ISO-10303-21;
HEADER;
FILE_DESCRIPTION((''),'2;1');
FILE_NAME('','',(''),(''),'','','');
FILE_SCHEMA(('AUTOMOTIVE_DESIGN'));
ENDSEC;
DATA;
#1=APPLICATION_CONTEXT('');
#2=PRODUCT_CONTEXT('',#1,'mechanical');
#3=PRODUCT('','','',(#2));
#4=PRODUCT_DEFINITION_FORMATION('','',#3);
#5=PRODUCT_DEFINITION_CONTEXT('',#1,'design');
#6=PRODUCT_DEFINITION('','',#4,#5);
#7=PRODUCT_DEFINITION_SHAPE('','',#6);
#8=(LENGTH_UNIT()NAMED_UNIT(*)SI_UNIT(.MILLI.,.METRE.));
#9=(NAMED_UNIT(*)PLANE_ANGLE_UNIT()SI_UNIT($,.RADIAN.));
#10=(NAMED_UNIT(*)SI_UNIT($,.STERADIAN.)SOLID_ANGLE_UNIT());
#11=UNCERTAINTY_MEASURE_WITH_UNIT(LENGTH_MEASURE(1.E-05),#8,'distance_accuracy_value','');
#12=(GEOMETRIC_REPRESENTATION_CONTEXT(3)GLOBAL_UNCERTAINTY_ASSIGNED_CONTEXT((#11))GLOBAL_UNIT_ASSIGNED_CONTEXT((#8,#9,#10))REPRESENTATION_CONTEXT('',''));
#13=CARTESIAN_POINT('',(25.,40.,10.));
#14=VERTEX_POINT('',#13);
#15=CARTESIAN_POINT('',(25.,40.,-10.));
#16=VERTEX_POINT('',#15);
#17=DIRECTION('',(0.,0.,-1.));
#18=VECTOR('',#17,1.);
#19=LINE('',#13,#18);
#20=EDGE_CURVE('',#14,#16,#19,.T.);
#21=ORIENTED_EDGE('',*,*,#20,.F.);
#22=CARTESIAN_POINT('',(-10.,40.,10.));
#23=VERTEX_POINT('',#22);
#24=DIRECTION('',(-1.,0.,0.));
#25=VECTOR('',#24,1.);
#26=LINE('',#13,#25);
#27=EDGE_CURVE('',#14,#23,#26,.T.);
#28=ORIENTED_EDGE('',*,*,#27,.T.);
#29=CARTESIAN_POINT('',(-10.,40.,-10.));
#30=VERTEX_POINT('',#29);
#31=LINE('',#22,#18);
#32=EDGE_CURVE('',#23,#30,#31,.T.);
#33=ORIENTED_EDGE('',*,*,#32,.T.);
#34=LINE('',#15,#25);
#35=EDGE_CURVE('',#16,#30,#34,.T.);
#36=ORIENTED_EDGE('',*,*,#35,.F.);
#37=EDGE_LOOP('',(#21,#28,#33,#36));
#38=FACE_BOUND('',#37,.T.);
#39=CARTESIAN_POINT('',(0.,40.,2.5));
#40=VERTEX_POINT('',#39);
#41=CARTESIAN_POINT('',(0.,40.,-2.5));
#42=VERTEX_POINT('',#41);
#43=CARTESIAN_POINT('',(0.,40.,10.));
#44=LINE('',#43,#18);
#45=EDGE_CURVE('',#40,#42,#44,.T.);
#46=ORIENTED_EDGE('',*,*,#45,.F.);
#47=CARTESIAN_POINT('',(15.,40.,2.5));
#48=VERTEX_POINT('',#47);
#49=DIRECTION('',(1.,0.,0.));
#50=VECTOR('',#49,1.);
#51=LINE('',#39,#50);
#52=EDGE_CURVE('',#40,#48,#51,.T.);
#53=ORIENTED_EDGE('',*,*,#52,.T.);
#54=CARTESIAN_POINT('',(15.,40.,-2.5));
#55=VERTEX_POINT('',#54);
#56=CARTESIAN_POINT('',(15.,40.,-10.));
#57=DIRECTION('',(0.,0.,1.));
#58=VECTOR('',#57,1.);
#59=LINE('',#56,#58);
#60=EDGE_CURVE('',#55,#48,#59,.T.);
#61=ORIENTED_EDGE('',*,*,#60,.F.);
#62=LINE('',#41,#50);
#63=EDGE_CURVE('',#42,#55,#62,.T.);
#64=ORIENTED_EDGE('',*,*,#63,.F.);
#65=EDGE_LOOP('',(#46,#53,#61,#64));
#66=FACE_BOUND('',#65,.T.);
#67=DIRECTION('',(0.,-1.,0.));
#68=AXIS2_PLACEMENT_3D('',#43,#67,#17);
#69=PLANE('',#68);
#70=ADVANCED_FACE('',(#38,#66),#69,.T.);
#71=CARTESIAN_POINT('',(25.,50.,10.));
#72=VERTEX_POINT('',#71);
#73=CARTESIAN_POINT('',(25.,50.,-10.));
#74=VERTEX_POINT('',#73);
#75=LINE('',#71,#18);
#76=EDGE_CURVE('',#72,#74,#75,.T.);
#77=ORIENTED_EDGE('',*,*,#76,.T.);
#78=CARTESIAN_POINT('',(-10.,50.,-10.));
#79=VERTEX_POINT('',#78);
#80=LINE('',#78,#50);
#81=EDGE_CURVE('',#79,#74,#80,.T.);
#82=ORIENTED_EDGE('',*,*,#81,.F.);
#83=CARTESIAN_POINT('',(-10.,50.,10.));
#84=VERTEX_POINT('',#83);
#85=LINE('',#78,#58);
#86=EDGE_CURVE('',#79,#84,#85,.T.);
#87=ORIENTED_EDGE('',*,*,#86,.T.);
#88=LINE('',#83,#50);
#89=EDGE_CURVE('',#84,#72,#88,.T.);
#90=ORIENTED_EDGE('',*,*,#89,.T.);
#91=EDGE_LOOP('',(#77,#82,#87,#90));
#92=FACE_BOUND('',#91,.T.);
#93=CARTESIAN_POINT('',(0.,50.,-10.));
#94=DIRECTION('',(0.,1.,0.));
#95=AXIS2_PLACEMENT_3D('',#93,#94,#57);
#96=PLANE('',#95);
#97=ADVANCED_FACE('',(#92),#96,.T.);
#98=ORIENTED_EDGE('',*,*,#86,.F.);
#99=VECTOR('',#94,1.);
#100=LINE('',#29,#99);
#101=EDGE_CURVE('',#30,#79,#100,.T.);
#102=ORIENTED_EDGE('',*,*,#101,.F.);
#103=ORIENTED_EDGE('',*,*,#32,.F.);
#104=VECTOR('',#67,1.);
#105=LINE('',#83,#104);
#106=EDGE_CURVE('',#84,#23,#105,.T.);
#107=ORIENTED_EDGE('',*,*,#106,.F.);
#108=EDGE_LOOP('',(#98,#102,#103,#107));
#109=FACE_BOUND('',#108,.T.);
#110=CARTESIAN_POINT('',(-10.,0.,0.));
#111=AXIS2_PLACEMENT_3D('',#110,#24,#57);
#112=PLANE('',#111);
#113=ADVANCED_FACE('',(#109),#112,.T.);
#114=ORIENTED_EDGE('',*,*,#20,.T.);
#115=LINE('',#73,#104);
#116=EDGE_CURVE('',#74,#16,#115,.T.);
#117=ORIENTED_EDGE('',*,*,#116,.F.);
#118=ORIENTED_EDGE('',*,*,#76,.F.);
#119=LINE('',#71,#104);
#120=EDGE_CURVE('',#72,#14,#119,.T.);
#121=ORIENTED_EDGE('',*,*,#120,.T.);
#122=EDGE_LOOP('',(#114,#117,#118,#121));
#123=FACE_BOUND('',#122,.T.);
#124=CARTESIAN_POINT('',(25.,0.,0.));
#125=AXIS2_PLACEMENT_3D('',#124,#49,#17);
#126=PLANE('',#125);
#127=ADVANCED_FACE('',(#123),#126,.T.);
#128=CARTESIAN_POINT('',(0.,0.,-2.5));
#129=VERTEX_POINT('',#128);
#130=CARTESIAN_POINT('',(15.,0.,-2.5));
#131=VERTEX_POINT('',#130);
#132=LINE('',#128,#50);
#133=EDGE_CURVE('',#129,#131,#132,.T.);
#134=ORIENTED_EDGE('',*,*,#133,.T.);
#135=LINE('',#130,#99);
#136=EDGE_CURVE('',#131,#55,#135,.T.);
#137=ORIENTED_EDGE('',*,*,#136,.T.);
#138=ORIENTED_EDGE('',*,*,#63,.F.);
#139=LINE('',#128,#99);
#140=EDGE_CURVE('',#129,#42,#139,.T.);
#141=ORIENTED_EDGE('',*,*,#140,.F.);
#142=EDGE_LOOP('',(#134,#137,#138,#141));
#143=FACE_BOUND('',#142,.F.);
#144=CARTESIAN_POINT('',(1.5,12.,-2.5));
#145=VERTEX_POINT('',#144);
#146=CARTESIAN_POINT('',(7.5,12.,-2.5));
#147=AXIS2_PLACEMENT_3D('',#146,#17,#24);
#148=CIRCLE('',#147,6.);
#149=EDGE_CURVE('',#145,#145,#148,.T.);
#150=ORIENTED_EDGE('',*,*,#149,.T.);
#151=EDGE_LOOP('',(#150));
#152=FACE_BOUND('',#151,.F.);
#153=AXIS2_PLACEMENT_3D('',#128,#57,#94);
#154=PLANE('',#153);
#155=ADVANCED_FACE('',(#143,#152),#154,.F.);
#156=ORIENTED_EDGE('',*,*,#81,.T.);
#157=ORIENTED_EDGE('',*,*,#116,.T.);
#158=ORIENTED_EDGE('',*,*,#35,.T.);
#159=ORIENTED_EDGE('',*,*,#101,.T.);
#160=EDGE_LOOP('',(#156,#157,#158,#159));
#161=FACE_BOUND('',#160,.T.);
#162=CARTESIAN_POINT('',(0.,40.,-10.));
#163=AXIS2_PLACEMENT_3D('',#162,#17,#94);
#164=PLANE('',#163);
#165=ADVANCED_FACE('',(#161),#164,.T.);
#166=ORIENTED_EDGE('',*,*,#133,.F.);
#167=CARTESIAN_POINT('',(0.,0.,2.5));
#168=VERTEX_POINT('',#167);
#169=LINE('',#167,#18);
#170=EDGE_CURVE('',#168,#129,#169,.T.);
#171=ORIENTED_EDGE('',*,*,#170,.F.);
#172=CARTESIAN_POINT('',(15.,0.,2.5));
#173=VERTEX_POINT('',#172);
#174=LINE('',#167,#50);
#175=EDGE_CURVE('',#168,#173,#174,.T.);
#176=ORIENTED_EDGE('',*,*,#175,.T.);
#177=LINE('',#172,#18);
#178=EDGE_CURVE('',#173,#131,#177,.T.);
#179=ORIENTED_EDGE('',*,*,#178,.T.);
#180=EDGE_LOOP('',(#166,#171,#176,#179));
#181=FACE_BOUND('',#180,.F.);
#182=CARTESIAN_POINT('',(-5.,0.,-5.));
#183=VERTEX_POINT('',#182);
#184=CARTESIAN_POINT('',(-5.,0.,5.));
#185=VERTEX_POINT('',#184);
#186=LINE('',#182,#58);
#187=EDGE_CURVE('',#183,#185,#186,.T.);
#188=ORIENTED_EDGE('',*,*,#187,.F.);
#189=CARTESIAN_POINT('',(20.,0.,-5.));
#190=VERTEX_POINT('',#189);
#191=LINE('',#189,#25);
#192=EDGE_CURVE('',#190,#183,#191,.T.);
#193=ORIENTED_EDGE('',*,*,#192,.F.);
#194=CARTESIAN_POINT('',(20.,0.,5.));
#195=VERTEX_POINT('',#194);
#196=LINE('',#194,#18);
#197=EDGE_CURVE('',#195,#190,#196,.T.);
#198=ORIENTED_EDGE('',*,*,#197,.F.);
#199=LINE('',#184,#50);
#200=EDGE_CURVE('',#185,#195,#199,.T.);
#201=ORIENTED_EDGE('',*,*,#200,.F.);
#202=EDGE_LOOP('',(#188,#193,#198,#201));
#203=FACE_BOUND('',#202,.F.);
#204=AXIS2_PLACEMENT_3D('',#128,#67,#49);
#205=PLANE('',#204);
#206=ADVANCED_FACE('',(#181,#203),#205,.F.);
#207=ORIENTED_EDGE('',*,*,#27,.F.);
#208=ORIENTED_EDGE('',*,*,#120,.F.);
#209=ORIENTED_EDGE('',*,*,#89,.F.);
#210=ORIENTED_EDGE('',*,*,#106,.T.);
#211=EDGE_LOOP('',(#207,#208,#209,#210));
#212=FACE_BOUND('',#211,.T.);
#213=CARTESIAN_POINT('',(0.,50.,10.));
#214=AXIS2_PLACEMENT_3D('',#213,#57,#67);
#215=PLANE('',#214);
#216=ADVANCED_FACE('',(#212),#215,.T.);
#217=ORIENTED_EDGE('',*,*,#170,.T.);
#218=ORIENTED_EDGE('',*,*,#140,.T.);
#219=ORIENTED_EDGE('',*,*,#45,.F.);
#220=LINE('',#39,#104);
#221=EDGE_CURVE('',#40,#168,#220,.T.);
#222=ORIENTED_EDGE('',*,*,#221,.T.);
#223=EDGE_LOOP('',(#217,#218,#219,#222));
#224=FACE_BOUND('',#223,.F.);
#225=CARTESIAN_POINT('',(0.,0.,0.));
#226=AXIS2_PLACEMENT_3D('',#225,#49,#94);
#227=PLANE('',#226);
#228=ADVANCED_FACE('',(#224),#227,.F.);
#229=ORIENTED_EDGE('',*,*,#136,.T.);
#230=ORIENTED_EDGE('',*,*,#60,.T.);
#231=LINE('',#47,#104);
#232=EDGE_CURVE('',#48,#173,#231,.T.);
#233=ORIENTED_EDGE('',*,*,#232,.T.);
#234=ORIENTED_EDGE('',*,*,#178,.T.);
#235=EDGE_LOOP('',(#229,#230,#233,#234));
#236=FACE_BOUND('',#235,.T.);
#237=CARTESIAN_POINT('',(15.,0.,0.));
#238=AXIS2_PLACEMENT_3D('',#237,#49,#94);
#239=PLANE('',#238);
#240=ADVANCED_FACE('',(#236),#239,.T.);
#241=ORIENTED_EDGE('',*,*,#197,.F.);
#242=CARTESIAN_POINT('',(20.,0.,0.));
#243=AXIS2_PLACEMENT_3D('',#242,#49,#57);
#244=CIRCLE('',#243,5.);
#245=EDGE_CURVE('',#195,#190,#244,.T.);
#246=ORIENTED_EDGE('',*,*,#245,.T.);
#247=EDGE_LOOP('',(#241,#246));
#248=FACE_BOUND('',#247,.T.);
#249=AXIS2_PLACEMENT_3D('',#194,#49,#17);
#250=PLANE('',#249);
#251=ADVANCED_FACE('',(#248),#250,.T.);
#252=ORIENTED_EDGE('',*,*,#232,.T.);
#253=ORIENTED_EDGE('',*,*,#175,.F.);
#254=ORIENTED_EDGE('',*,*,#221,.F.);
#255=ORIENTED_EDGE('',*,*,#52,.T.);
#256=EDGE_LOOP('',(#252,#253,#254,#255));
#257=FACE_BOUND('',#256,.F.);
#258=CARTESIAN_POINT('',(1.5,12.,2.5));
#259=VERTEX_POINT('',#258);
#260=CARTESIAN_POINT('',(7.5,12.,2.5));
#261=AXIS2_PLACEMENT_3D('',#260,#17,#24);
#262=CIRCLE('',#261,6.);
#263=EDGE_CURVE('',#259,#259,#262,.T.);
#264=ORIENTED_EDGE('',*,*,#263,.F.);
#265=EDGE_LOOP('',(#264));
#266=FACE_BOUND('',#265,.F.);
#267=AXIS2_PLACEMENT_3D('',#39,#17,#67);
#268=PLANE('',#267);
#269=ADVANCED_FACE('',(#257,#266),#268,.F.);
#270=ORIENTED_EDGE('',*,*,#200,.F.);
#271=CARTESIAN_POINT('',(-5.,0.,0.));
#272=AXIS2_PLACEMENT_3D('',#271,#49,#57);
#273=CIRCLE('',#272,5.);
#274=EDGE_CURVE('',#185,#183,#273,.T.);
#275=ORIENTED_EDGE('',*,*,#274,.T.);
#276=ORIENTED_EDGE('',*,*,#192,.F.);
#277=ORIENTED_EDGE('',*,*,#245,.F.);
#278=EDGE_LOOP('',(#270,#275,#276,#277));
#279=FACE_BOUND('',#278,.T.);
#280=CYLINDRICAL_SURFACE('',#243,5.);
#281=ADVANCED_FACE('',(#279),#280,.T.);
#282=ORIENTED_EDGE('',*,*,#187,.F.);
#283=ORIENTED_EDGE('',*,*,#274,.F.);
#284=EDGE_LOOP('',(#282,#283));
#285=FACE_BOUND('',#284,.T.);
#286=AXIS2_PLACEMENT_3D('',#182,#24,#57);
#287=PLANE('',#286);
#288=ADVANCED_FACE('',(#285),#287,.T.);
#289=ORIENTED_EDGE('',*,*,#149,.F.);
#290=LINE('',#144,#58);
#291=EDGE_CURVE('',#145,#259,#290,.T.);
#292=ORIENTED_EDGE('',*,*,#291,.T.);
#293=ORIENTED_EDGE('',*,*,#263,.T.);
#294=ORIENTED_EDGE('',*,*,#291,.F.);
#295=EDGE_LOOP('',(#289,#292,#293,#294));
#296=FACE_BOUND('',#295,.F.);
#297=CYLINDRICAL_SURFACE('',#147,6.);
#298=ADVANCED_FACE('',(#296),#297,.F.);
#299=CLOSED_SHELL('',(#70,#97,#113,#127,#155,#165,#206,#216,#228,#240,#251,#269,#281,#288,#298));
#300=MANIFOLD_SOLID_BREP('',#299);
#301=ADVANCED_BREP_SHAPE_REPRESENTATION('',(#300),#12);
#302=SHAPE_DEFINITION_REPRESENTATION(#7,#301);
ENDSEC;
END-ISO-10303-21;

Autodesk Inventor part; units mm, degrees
ref_plane "YZ Plane" through (0, 0, 0) normal (1, 0, 0) x (0, 1, 0)
ref_plane "XZ Plane" through (0, 0, 0) normal (0, 1, 0) x (-1, 0, 0)
ref_plane "XY Plane" through (0, 0, 0) normal (0, 0, 1) x (1, 0, 0)
sketch "Sketch1" plane through (0, 0, 0) normal (1, 0, 0) x (0, 1, 0)
  line L0 (50, 10) -> (40, 10)
  line L1 (40, 10) -> (40, -10)
  line L2 (40, -10) -> (50, -10)
  line L3 (50, -10) -> (50, 10)
  line L4 (40, 2.5) -> (0, 2.5)
  line L5 (0, 2.5) -> (0, -2.5)
  line L6 (0, -2.5) -> (40, -2.5)
  line L7 (40, -2.5) -> (40, 2.5)
  point P0 (0, 0)
  dimension "d0" = 40
  dimension "d1" = 10
  dimension "d2" = 5
  dimension "d3" = 2.5
  dimension "d4" = 20
  dimension "d5" = 10
extrude "Extrusion1" add sketch "Sketch1" along normal blind 15
sketch "Sketch2" plane through (15, 0, 0) normal (1, 0, 0) x (0, 0, -1)
  line L0 (-10, 50) -> (-10, 40) projected
  line L1 (2.5, 40) -> (10, 40) projected
  line L2 (-10, 50) -> (10, 50)
  line L3 (10, 50) -> (10, 40)
  line L4 (10, 40) -> (-10, 40)
  line L5 (-10, 40) -> (-10, 50)
  point P0 (0, 0)
extrude "Extrusion2" add sketch "Sketch2" along normal blind 10
sketch "Sketch3" plane through (0, 0, 0) normal (-1, 0, 0) x (0, 0, 1)
  line L0 (-10, 40) -> (-10, 50) projected
  line L1 (10, 50) -> (10, 40) projected
  line L2 (-10, 50) -> (10, 50)
  line L3 (10, 50) -> (10, 40)
  line L4 (10, 40) -> (-10, 40)
  line L5 (-10, 40) -> (-10, 50)
  point P0 (0, 0)
extrude "Extrusion3" add sketch "Sketch3" along normal blind 10
sketch "Sketch4" plane through (0, 0, -2.5) normal (0, 0, -1) x (-1, 0, 0)
  circle A0 centre (-7.5, 12) radius 6
  point P0 (0, 0)
  dimension "d12" = 12
extrude "Extrusion4" cut sketch "Sketch4" against normal blind 5
sketch "Sketch5" plane through (0, 0, -2.5) normal (0, -1, 0) x (1, 0, 0)
  line L0 (-5, 7.5) -> (20, 7.5)
  line L1 (20, 7.5) -> (20, -2.5)
  line L2 (20, -2.5) -> (-5, -2.5)
  line L3 (-5, -2.5) -> (-5, 7.5)
  point P0 (0, 2.5)
  dimension "d15" = 25
  dimension "d16" = 10
extrude "Extrusion5" add sketch "Sketch5" along normal blind 10
sketch "Sketch6" plane through (20, 0, 5) normal (1, 0, 0) x (0, 0, -1)
  line L0 (0, 0) -> (10, 0) projected
  arc A0 (0, 0) -> (10, 0) centre (5, 0) ccw
  line L1 (0, 0) -> (0, -10) projected
  line L2 (0, 0) -> (0, -10)
  line L3 (10, -10) -> (0, -10) projected
  line L4 (0, -10) -> (10, -10)
  line L5 (10, 0) -> (10, -10) projected
  line L6 (10, -10) -> (10, 0)
  point P0 (5, 0)
  dimension "d19" = 5
extrude "Extrusion6" cut sketch "Sketch6" against normal blind 25 contours A0 L5 L3 L1
equation "\"d3\" = 0.5 * d2"
equation "\"d5\" = 0.5 * d4"
properties part number "Example Follower"
